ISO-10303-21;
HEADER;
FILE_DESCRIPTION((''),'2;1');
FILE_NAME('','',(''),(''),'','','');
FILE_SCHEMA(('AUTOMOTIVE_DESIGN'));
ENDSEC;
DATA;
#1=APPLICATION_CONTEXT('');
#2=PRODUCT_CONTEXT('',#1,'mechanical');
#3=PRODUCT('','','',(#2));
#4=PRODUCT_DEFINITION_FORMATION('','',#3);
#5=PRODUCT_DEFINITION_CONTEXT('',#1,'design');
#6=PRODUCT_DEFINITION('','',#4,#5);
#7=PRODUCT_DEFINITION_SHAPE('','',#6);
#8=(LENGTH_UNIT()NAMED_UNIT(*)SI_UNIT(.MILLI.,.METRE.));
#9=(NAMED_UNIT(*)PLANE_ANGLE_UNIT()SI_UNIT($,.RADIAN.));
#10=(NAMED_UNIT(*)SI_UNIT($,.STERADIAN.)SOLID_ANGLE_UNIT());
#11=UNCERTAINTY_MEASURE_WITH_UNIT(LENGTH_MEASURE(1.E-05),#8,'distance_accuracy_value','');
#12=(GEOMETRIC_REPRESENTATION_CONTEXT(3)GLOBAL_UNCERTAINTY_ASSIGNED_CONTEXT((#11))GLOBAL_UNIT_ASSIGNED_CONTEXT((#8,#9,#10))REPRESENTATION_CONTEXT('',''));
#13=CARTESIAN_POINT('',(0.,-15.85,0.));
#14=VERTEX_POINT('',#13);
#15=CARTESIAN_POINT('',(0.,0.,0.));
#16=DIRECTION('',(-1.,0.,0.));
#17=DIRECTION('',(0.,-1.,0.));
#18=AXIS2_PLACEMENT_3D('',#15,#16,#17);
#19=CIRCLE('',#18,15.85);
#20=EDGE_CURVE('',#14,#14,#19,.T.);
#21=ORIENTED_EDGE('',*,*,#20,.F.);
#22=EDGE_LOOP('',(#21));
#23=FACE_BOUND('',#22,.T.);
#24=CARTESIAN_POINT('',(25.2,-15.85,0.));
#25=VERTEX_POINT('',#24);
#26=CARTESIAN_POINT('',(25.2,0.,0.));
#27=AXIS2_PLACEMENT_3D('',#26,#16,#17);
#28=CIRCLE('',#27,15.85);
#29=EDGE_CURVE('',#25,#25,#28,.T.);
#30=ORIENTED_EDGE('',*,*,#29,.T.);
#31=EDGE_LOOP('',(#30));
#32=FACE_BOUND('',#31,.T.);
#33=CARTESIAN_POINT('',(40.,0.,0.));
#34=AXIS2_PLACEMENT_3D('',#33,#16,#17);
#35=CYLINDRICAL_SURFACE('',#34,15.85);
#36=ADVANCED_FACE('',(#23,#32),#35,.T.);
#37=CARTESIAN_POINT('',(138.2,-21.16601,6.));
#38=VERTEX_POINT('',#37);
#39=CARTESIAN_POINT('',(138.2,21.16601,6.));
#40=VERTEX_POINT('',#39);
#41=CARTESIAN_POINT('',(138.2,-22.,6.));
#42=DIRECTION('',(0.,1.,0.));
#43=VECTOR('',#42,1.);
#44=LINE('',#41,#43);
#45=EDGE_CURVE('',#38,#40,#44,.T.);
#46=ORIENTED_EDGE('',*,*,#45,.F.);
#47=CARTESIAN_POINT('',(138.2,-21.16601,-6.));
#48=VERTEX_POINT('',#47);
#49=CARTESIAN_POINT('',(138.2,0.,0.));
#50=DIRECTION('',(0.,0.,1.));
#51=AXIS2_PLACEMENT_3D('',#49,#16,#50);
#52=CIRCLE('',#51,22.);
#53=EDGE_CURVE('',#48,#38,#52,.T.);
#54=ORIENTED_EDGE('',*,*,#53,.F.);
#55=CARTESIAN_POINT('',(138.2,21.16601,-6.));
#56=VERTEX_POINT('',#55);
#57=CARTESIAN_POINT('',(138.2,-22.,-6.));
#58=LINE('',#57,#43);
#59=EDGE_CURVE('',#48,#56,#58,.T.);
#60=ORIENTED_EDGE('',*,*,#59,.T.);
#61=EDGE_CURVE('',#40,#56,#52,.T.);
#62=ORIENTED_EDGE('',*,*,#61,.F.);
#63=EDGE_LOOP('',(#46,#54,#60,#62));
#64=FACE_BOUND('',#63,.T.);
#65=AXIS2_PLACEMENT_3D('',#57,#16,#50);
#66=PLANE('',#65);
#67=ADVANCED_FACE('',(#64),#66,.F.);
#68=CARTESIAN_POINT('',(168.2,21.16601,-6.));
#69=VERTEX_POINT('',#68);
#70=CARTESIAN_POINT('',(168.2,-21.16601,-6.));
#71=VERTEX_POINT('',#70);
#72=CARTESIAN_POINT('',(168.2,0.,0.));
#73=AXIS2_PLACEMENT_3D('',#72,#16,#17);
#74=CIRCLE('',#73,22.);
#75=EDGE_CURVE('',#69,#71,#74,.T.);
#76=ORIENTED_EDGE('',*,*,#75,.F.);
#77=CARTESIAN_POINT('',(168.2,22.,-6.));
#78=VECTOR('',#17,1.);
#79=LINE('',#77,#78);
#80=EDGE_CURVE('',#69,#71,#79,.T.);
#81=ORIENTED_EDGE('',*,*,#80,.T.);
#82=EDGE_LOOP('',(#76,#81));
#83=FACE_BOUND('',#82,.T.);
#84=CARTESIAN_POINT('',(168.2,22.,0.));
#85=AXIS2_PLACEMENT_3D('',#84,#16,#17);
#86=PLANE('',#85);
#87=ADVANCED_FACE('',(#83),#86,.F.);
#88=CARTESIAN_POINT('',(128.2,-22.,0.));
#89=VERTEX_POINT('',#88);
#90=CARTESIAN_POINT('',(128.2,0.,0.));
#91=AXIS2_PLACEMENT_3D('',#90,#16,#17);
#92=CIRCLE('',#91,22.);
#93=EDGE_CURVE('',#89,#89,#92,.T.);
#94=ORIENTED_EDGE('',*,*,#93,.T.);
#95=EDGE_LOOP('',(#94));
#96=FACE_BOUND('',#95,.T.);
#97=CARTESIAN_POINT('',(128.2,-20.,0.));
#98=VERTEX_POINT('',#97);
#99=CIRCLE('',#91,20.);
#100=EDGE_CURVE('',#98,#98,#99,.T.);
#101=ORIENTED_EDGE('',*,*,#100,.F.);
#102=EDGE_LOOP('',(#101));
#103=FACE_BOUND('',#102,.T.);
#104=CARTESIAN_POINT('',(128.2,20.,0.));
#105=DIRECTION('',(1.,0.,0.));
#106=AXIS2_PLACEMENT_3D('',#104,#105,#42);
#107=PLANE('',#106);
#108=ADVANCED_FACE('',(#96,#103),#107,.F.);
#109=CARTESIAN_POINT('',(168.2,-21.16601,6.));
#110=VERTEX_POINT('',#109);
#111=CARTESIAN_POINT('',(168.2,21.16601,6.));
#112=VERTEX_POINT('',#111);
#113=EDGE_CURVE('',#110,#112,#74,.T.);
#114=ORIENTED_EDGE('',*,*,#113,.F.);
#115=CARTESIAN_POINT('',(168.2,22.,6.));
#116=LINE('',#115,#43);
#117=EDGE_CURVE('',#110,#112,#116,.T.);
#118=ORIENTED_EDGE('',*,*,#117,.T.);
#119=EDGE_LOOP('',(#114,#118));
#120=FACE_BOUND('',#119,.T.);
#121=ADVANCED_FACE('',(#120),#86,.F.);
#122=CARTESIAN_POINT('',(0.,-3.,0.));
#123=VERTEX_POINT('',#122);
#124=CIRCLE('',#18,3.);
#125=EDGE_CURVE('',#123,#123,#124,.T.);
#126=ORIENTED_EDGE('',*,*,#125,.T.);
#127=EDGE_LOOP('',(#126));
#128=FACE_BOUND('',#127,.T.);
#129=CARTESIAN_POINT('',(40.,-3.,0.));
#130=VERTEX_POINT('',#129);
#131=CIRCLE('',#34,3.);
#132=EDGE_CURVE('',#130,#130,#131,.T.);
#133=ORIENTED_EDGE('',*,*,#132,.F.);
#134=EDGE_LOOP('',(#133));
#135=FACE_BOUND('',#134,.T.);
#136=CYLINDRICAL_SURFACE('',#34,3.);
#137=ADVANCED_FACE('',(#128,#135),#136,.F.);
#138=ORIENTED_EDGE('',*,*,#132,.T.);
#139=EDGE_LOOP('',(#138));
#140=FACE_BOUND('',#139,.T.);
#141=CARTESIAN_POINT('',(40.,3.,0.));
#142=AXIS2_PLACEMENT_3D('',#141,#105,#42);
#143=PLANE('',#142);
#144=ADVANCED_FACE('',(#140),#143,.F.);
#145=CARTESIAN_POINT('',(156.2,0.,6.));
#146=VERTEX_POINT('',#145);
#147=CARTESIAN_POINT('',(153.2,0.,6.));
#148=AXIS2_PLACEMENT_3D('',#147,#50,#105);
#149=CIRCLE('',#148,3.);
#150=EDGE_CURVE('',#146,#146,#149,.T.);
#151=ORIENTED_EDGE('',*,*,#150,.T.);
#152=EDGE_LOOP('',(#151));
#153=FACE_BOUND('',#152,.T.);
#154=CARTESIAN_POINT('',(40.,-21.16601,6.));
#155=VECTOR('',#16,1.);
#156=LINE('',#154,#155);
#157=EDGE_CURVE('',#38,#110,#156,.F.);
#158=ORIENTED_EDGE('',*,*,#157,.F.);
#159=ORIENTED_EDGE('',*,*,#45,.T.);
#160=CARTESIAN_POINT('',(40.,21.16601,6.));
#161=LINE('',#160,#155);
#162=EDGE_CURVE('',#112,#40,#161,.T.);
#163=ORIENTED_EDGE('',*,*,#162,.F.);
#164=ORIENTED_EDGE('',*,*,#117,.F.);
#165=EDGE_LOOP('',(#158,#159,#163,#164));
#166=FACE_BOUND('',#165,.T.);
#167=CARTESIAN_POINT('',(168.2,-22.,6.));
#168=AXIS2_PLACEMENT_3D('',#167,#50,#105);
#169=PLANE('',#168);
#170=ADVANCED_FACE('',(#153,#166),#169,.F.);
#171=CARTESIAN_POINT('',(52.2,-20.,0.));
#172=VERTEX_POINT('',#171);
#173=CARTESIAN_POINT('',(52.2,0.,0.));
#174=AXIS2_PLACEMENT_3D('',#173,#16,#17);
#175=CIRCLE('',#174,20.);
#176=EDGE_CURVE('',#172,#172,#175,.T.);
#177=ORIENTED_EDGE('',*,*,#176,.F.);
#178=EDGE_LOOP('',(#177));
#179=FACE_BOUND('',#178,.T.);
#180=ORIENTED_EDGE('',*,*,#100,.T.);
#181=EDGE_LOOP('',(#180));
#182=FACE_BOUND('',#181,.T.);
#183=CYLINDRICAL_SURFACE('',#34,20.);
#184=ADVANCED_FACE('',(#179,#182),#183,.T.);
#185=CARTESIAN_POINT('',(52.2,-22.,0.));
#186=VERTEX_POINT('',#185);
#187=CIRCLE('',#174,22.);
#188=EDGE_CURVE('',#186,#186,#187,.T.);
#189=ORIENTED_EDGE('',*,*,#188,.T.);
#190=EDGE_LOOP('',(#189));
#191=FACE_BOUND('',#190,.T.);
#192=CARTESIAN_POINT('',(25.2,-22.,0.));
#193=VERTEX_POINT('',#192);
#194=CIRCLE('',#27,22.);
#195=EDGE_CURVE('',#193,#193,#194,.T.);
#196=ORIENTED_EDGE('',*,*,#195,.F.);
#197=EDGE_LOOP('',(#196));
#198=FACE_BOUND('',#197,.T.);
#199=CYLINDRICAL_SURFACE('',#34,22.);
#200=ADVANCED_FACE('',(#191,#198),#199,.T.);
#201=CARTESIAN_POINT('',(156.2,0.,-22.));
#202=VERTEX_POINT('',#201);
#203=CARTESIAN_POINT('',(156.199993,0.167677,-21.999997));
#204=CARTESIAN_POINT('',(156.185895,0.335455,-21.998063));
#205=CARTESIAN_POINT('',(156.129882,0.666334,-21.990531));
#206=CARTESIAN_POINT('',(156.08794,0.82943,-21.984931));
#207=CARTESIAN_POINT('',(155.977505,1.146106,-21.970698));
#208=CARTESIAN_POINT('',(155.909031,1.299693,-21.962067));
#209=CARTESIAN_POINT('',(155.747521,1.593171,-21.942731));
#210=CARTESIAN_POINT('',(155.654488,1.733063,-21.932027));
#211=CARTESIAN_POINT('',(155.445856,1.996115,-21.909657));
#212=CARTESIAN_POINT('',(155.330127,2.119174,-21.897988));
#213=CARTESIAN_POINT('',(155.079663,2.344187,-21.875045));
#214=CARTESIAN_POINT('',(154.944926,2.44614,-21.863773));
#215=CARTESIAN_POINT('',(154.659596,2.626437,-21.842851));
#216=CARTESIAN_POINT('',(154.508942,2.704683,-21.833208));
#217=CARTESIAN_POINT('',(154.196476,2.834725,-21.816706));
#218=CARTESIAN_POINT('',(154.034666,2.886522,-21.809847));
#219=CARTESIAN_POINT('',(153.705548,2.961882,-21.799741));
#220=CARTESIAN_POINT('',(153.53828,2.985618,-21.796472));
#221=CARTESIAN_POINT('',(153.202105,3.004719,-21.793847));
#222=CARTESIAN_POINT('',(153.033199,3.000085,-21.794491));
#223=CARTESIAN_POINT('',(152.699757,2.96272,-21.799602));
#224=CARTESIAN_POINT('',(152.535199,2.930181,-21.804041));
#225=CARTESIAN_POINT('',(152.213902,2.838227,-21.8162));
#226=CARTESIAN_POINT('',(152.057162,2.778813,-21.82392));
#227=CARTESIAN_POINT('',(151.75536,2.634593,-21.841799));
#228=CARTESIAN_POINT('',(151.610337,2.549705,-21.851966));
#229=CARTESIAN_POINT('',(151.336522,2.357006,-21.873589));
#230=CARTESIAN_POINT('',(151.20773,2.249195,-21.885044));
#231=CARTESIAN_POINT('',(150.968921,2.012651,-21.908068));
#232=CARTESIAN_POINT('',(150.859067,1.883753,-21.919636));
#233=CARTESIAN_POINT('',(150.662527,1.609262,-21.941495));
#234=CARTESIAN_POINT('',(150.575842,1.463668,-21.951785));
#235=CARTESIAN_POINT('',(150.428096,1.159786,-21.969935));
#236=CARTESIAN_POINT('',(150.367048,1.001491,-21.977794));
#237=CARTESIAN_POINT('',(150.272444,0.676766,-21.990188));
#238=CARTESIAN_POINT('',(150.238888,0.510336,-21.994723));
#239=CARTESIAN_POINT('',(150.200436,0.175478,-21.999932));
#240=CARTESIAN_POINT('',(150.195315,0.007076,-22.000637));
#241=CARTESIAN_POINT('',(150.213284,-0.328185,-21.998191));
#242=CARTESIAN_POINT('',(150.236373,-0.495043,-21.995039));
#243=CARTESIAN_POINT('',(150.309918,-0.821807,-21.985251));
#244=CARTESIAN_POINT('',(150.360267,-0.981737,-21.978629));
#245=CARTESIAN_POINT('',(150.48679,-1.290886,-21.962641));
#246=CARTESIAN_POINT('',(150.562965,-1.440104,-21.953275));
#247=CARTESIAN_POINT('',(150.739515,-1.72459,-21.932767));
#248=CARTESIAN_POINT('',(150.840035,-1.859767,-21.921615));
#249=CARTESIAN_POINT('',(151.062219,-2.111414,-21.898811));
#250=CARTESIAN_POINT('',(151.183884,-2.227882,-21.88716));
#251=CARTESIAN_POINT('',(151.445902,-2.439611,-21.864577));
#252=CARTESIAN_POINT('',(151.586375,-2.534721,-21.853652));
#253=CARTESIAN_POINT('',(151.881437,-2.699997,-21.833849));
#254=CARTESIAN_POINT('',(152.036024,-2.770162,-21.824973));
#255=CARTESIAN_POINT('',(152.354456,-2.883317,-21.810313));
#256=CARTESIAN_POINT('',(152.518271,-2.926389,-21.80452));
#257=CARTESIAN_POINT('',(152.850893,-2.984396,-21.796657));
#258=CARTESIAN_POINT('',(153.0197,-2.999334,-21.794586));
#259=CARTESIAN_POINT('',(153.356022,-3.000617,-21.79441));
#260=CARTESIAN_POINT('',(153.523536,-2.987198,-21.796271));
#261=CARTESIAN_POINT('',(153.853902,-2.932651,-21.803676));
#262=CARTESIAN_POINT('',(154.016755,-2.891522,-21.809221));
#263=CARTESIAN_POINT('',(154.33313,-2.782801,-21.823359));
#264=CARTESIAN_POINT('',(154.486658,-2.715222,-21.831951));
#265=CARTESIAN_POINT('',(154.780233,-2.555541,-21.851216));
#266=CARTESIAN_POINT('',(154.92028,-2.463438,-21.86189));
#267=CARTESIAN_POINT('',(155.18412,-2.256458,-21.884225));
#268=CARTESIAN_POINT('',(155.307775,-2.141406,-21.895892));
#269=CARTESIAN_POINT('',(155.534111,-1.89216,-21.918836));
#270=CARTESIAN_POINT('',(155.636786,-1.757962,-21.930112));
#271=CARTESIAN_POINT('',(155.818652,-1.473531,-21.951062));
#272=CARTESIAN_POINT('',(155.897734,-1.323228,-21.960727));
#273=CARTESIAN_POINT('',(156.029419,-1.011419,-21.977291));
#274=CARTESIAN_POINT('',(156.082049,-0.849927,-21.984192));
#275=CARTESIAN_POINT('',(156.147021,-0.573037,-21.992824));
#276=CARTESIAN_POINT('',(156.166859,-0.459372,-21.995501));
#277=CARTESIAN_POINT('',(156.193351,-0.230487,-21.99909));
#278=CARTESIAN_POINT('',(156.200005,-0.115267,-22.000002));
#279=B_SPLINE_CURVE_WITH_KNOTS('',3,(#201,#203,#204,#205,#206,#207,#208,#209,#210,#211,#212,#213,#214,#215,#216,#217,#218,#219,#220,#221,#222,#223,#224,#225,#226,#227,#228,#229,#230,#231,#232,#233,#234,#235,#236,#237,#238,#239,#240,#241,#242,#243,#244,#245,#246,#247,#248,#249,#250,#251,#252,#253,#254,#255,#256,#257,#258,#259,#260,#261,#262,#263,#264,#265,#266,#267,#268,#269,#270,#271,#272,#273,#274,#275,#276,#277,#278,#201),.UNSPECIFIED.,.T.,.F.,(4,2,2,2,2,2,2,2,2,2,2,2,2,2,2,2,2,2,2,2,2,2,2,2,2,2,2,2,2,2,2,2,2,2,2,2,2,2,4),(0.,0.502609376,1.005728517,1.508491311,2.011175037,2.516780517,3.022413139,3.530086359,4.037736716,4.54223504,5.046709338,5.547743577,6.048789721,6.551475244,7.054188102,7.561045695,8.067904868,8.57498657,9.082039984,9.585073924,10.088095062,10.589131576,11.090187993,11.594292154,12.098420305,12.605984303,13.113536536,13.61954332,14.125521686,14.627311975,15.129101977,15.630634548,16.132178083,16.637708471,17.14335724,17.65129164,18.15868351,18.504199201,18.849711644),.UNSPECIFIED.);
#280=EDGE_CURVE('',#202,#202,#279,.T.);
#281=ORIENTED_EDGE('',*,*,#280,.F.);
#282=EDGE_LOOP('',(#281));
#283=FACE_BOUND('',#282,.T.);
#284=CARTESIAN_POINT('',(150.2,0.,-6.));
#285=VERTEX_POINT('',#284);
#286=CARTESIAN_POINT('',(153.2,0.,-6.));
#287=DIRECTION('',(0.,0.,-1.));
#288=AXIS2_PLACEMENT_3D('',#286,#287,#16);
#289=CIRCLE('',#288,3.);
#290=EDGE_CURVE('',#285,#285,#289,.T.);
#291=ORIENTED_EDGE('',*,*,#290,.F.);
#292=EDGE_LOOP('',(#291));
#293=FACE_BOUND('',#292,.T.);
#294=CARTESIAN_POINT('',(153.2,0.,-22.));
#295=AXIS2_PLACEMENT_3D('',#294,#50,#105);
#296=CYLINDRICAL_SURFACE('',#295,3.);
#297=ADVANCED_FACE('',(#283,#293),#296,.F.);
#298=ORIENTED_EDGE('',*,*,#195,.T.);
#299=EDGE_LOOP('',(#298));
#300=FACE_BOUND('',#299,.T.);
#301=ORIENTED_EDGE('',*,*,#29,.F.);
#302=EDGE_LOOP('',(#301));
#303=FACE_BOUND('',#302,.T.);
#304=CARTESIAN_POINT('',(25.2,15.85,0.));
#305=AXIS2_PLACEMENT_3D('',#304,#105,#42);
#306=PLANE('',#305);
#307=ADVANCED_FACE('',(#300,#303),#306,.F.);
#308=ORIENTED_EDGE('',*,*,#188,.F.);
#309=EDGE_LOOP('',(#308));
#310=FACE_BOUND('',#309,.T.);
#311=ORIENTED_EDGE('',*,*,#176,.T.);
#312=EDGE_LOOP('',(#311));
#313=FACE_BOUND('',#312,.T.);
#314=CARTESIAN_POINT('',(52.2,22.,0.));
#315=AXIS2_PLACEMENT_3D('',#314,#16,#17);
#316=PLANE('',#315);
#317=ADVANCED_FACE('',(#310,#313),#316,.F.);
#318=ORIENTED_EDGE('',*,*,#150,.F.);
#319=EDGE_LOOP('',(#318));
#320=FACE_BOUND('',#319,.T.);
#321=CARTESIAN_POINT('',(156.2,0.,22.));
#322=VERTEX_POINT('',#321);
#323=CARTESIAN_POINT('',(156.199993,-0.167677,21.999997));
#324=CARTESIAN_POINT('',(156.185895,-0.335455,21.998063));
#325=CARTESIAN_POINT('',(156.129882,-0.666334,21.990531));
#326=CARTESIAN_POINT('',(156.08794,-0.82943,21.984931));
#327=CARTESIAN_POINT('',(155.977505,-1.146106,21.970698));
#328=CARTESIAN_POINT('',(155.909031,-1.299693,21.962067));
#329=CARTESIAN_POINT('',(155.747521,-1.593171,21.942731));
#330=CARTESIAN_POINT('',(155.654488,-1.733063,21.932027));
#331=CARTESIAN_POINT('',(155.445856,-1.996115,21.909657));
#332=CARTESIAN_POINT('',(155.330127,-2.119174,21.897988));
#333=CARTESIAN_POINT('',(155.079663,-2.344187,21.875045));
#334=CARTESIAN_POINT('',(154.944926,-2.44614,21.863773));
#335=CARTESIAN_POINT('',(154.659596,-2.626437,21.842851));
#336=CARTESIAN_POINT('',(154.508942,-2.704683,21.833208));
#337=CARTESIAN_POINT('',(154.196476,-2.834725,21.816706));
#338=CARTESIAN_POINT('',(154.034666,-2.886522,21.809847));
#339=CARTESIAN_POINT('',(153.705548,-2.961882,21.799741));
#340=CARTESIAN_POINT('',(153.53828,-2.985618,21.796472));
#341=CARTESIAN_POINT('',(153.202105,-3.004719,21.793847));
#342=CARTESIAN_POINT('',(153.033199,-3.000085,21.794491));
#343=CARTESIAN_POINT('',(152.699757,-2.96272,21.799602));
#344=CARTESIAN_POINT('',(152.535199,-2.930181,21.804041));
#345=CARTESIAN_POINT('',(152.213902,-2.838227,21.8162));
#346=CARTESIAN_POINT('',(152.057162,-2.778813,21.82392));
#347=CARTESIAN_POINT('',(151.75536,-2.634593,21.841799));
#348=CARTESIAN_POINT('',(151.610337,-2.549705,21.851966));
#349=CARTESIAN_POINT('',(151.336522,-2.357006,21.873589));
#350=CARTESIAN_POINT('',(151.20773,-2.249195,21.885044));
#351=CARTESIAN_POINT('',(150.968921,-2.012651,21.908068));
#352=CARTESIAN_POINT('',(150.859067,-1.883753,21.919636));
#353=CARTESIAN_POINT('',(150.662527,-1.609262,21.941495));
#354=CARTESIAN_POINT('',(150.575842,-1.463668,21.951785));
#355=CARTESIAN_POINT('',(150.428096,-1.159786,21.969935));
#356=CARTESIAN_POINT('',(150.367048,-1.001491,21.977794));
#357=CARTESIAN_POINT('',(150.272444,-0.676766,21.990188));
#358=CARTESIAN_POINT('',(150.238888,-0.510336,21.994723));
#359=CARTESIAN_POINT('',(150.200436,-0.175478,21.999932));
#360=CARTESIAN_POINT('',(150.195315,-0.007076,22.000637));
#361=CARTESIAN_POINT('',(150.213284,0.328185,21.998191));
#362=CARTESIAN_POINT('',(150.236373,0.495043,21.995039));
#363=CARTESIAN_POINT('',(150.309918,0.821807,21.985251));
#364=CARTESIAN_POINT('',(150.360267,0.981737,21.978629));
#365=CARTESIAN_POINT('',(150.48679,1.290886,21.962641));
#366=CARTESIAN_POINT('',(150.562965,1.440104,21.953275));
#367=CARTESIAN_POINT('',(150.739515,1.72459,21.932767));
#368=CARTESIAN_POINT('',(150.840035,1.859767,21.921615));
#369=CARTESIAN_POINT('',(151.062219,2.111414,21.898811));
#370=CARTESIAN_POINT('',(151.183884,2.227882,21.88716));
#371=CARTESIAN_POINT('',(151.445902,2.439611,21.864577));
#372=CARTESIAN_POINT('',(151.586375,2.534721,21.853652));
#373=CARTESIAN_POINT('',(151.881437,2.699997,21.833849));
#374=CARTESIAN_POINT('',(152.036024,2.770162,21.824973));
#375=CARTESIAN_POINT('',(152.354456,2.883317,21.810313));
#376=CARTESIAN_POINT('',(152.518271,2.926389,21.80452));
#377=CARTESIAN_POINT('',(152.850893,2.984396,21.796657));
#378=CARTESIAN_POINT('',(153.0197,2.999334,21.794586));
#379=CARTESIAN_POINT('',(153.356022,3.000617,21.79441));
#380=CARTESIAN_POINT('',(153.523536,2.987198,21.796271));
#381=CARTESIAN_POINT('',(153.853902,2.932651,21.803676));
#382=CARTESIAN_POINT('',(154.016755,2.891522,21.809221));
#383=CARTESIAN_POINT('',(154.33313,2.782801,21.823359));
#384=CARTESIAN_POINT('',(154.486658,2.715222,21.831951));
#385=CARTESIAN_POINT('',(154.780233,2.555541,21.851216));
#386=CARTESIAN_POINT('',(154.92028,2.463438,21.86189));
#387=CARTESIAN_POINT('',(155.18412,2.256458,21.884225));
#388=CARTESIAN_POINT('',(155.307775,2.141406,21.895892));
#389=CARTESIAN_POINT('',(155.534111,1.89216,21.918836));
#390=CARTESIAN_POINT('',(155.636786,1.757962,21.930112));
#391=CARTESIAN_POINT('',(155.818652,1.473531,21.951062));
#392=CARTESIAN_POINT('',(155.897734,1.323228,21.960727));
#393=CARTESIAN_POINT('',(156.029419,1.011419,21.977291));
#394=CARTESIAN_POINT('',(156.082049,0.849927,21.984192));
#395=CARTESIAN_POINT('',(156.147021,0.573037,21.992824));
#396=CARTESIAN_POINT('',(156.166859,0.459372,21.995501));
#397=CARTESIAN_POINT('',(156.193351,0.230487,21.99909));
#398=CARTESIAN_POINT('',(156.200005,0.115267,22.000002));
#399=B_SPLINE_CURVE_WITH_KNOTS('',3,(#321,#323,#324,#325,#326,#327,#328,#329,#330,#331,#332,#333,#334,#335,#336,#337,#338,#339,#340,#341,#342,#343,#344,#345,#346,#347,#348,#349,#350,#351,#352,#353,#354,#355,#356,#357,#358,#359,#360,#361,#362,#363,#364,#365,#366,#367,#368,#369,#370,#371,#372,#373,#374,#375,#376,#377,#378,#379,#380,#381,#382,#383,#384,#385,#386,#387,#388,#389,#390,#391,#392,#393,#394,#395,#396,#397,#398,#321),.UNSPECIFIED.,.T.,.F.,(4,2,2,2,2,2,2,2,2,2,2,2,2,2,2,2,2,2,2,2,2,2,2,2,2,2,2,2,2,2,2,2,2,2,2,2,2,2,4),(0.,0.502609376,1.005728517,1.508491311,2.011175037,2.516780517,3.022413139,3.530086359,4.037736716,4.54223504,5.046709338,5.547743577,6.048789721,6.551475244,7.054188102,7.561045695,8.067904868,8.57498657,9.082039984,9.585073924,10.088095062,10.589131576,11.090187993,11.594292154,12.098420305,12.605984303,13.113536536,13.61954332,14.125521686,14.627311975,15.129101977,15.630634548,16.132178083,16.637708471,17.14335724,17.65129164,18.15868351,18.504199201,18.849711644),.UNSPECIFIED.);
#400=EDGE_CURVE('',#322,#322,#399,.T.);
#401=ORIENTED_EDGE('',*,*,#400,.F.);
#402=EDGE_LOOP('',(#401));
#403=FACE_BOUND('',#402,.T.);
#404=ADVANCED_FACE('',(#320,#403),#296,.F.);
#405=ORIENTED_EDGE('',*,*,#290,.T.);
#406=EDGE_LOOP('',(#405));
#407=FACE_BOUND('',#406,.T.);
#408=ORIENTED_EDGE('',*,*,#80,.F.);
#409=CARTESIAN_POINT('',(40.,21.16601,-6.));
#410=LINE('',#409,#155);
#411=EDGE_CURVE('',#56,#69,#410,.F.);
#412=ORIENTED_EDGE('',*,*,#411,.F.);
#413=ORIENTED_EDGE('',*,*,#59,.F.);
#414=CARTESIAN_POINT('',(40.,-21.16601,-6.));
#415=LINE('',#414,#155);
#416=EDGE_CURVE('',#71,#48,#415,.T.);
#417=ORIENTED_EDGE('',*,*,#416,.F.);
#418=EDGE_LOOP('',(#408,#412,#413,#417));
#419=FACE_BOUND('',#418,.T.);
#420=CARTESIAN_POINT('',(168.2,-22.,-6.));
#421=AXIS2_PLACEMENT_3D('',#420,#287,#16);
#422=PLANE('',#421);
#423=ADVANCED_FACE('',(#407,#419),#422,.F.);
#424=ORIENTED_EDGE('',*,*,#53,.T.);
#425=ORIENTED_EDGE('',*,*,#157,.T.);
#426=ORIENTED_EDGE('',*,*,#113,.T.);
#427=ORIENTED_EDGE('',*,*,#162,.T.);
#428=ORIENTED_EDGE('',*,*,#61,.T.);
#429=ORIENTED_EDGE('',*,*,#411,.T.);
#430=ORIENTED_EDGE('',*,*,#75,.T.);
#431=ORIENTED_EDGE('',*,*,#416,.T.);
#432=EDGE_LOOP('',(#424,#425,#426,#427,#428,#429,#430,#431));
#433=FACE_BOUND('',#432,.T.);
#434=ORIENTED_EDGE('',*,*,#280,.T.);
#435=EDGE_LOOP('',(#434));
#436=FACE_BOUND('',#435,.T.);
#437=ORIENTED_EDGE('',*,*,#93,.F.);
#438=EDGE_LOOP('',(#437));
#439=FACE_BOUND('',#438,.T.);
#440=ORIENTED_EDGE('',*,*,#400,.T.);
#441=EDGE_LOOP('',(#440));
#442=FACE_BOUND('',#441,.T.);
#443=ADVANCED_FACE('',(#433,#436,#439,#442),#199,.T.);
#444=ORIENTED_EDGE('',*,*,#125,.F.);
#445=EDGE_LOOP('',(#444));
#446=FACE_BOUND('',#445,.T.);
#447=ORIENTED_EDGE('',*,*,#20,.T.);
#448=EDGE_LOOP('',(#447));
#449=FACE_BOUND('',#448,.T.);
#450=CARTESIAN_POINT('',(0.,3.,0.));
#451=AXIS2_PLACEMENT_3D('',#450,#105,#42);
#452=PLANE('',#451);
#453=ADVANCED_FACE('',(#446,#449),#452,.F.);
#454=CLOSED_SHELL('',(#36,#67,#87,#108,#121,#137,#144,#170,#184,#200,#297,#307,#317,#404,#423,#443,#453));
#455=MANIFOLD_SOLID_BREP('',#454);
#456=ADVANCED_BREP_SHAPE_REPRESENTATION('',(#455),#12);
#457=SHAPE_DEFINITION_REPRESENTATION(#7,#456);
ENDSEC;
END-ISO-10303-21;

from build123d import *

# Parameters (mm, degrees)
ENL_V_MAT_EXTRU_1_DEPTH      = 172.053325019
ENL_V_MAT_EXTRU_1_DEPTH_BACK = 172.053325019
ESQUISSE2_W                  = 30
ESQUISSE2_H                  = 12
ENL_V_MAT_EXTRU_2_DEPTH      = 172.928008189
ENL_V_MAT_EXTRU_2_DEPTH_BACK = 172.928008189
ESQUISSE3_R                  = 3


with BuildPart() as part:
    # Esquisse1 → Révolution1 (revolve)
    with BuildSketch(Plane.XY, mode=Mode.PRIVATE) as r_volution1_sk:
        Polygon((40, 3), (0, 3), (0, 15.85), (25.2, 15.85), (25.2, 22), (52.2, 22), (52.2, 20), (128.2, 20), (128.2, 22), (168.2, 22), (168.2, 0), (40, 0), align=None)
    revolve(r_volution1_sk.sketch.rotate(Axis((40, 0, 0), (1, 0, 0)), 180), axis=Axis((40, 0, 0), (1, 0, 0)))

    # Esquisse2 → Enlèv. mat.-Extru.1 (cut, two sides: drawn at the far end of the back side and taken through both)
    with BuildSketch(Plane(origin=(0, 0, 0), x_dir=(1, 0, 0), z_dir=(0, 1, 0)).offset(-ENL_V_MAT_EXTRU_1_DEPTH_BACK)):
        with Locations((153.2, 0)):
            Rectangle(ESQUISSE2_W, ESQUISSE2_H)
    extrude(amount=ENL_V_MAT_EXTRU_1_DEPTH + ENL_V_MAT_EXTRU_1_DEPTH_BACK, mode=Mode.SUBTRACT)

    # Esquisse3 → Enlèv. mat.-Extru.2 (cut, two sides: drawn at the far end of the back side and taken through both)
    with BuildSketch(Plane.XY.offset(-6).offset(-ENL_V_MAT_EXTRU_2_DEPTH_BACK)):
        with Locations((153.2, 0)):
            Circle(ESQUISSE3_R)
    extrude(amount=ENL_V_MAT_EXTRU_2_DEPTH + ENL_V_MAT_EXTRU_2_DEPTH_BACK, mode=Mode.SUBTRACT)


solid = part.part
